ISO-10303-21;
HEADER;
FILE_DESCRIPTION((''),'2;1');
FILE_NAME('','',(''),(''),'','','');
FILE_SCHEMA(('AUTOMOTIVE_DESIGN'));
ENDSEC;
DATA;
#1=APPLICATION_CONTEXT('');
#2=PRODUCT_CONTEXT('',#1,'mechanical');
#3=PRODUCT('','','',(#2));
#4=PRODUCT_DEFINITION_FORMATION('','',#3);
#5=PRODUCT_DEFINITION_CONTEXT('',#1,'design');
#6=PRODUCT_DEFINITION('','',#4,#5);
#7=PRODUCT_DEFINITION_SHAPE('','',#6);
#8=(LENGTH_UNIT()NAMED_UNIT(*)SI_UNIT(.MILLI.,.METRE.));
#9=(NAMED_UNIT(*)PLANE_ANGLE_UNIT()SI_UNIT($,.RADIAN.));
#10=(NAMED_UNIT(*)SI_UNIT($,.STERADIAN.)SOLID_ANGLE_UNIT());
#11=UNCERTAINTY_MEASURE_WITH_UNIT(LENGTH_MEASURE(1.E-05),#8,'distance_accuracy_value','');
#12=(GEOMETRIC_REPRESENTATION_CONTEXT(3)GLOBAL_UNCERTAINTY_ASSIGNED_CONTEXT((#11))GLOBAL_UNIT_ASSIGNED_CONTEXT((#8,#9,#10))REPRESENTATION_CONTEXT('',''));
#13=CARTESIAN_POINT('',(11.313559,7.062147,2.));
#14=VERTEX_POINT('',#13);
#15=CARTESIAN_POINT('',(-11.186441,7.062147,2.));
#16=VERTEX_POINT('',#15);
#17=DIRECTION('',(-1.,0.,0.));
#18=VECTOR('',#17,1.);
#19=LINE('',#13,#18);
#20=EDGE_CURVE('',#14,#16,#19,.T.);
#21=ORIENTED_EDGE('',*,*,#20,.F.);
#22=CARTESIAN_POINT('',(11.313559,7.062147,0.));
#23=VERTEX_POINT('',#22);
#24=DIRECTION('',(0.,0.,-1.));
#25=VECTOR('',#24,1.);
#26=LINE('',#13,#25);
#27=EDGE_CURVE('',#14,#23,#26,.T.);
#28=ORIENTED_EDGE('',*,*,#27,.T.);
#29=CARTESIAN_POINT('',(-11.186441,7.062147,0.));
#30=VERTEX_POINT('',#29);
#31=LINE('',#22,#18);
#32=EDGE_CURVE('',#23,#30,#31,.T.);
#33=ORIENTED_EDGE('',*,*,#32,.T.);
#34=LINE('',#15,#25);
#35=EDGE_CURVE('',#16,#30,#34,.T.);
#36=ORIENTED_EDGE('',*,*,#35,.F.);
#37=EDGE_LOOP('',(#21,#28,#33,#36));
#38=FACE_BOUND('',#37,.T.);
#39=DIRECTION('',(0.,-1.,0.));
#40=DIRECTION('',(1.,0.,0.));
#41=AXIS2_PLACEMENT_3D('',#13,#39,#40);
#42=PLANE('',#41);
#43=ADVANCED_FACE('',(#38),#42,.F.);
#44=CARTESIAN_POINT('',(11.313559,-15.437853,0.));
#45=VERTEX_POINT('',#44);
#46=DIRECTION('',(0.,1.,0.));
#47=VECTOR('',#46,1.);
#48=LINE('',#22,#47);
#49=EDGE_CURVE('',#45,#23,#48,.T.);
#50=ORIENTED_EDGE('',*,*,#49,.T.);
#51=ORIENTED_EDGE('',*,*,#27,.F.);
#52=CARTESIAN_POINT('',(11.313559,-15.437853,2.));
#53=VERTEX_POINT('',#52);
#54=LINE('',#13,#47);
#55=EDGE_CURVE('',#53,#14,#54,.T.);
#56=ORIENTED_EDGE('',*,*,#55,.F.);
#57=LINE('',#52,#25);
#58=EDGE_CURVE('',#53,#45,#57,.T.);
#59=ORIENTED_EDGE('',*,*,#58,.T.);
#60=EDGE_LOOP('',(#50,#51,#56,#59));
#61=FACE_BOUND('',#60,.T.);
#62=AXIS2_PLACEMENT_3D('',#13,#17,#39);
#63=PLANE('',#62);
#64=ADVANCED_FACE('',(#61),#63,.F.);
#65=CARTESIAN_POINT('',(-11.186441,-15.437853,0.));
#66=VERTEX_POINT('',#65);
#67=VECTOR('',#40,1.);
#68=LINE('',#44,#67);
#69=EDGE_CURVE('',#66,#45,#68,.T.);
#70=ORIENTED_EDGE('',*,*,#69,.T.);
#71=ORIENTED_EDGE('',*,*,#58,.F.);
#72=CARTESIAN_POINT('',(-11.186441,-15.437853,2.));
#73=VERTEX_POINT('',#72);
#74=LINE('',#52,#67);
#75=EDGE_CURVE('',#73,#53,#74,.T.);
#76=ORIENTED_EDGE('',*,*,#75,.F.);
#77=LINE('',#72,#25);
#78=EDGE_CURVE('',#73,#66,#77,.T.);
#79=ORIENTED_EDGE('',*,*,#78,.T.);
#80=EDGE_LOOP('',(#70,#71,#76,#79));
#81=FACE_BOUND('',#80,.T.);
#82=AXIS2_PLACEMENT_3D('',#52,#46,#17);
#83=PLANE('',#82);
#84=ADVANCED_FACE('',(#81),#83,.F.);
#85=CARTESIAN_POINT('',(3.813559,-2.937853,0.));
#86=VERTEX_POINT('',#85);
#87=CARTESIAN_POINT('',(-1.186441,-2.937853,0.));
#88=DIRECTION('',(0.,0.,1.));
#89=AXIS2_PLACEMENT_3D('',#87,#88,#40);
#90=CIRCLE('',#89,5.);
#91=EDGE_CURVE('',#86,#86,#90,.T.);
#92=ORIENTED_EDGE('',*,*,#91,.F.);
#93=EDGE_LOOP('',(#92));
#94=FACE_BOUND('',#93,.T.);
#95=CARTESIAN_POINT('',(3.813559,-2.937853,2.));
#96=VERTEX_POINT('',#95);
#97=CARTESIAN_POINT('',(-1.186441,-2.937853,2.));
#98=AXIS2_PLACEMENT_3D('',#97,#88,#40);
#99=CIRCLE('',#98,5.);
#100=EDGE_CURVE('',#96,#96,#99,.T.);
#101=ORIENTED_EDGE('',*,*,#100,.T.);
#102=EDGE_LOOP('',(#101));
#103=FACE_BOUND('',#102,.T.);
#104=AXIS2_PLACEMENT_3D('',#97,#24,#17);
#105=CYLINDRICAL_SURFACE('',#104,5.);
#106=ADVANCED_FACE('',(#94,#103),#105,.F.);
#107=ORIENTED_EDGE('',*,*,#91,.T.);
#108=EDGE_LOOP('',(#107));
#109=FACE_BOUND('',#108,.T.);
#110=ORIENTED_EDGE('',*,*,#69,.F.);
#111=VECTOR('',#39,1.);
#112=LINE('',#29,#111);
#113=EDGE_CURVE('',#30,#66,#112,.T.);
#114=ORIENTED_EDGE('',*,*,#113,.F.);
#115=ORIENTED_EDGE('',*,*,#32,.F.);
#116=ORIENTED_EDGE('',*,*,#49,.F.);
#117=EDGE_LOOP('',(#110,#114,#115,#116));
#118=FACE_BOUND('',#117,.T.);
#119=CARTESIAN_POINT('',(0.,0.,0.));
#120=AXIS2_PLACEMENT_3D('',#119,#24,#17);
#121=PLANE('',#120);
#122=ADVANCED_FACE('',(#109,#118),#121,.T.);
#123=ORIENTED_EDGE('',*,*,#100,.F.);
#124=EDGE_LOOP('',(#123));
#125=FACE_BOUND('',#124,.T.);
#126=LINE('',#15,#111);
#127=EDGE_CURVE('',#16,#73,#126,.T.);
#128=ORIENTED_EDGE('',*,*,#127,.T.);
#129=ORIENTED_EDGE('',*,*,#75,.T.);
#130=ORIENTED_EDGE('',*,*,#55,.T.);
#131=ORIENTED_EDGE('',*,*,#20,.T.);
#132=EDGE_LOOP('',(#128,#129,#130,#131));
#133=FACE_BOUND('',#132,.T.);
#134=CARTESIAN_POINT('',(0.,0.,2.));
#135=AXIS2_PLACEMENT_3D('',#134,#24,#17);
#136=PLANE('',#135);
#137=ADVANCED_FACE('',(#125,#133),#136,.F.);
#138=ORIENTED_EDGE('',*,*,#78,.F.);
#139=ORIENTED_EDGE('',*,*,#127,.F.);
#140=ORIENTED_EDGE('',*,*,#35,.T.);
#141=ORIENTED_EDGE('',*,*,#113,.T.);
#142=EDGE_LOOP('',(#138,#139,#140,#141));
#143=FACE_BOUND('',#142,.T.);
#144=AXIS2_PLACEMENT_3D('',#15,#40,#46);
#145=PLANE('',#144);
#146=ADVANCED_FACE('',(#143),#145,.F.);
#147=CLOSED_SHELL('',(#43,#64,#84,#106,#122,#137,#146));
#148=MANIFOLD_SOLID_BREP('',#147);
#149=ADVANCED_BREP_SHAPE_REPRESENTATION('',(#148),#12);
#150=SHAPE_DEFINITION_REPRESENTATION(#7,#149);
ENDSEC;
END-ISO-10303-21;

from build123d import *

# Parameters (mm, degrees)
SKETCH1_W           = 22.5
SKETCH1_H           = 22.5
SKETCH1_R           = 5
BOSS_EXTRUDE1_DEPTH = 2


with BuildPart() as part:
    # Sketch1 → Boss-Extrude1 (new body)
    with BuildSketch(Plane.XY):
        with Locations((0.063559322, -4.187853107)):
            Rectangle(SKETCH1_W, SKETCH1_H)
        with Locations((-1.186440678, -2.937853107)):
            Circle(SKETCH1_R, mode=Mode.SUBTRACT)
    extrude(amount=BOSS_EXTRUDE1_DEPTH)


solid = part.part
